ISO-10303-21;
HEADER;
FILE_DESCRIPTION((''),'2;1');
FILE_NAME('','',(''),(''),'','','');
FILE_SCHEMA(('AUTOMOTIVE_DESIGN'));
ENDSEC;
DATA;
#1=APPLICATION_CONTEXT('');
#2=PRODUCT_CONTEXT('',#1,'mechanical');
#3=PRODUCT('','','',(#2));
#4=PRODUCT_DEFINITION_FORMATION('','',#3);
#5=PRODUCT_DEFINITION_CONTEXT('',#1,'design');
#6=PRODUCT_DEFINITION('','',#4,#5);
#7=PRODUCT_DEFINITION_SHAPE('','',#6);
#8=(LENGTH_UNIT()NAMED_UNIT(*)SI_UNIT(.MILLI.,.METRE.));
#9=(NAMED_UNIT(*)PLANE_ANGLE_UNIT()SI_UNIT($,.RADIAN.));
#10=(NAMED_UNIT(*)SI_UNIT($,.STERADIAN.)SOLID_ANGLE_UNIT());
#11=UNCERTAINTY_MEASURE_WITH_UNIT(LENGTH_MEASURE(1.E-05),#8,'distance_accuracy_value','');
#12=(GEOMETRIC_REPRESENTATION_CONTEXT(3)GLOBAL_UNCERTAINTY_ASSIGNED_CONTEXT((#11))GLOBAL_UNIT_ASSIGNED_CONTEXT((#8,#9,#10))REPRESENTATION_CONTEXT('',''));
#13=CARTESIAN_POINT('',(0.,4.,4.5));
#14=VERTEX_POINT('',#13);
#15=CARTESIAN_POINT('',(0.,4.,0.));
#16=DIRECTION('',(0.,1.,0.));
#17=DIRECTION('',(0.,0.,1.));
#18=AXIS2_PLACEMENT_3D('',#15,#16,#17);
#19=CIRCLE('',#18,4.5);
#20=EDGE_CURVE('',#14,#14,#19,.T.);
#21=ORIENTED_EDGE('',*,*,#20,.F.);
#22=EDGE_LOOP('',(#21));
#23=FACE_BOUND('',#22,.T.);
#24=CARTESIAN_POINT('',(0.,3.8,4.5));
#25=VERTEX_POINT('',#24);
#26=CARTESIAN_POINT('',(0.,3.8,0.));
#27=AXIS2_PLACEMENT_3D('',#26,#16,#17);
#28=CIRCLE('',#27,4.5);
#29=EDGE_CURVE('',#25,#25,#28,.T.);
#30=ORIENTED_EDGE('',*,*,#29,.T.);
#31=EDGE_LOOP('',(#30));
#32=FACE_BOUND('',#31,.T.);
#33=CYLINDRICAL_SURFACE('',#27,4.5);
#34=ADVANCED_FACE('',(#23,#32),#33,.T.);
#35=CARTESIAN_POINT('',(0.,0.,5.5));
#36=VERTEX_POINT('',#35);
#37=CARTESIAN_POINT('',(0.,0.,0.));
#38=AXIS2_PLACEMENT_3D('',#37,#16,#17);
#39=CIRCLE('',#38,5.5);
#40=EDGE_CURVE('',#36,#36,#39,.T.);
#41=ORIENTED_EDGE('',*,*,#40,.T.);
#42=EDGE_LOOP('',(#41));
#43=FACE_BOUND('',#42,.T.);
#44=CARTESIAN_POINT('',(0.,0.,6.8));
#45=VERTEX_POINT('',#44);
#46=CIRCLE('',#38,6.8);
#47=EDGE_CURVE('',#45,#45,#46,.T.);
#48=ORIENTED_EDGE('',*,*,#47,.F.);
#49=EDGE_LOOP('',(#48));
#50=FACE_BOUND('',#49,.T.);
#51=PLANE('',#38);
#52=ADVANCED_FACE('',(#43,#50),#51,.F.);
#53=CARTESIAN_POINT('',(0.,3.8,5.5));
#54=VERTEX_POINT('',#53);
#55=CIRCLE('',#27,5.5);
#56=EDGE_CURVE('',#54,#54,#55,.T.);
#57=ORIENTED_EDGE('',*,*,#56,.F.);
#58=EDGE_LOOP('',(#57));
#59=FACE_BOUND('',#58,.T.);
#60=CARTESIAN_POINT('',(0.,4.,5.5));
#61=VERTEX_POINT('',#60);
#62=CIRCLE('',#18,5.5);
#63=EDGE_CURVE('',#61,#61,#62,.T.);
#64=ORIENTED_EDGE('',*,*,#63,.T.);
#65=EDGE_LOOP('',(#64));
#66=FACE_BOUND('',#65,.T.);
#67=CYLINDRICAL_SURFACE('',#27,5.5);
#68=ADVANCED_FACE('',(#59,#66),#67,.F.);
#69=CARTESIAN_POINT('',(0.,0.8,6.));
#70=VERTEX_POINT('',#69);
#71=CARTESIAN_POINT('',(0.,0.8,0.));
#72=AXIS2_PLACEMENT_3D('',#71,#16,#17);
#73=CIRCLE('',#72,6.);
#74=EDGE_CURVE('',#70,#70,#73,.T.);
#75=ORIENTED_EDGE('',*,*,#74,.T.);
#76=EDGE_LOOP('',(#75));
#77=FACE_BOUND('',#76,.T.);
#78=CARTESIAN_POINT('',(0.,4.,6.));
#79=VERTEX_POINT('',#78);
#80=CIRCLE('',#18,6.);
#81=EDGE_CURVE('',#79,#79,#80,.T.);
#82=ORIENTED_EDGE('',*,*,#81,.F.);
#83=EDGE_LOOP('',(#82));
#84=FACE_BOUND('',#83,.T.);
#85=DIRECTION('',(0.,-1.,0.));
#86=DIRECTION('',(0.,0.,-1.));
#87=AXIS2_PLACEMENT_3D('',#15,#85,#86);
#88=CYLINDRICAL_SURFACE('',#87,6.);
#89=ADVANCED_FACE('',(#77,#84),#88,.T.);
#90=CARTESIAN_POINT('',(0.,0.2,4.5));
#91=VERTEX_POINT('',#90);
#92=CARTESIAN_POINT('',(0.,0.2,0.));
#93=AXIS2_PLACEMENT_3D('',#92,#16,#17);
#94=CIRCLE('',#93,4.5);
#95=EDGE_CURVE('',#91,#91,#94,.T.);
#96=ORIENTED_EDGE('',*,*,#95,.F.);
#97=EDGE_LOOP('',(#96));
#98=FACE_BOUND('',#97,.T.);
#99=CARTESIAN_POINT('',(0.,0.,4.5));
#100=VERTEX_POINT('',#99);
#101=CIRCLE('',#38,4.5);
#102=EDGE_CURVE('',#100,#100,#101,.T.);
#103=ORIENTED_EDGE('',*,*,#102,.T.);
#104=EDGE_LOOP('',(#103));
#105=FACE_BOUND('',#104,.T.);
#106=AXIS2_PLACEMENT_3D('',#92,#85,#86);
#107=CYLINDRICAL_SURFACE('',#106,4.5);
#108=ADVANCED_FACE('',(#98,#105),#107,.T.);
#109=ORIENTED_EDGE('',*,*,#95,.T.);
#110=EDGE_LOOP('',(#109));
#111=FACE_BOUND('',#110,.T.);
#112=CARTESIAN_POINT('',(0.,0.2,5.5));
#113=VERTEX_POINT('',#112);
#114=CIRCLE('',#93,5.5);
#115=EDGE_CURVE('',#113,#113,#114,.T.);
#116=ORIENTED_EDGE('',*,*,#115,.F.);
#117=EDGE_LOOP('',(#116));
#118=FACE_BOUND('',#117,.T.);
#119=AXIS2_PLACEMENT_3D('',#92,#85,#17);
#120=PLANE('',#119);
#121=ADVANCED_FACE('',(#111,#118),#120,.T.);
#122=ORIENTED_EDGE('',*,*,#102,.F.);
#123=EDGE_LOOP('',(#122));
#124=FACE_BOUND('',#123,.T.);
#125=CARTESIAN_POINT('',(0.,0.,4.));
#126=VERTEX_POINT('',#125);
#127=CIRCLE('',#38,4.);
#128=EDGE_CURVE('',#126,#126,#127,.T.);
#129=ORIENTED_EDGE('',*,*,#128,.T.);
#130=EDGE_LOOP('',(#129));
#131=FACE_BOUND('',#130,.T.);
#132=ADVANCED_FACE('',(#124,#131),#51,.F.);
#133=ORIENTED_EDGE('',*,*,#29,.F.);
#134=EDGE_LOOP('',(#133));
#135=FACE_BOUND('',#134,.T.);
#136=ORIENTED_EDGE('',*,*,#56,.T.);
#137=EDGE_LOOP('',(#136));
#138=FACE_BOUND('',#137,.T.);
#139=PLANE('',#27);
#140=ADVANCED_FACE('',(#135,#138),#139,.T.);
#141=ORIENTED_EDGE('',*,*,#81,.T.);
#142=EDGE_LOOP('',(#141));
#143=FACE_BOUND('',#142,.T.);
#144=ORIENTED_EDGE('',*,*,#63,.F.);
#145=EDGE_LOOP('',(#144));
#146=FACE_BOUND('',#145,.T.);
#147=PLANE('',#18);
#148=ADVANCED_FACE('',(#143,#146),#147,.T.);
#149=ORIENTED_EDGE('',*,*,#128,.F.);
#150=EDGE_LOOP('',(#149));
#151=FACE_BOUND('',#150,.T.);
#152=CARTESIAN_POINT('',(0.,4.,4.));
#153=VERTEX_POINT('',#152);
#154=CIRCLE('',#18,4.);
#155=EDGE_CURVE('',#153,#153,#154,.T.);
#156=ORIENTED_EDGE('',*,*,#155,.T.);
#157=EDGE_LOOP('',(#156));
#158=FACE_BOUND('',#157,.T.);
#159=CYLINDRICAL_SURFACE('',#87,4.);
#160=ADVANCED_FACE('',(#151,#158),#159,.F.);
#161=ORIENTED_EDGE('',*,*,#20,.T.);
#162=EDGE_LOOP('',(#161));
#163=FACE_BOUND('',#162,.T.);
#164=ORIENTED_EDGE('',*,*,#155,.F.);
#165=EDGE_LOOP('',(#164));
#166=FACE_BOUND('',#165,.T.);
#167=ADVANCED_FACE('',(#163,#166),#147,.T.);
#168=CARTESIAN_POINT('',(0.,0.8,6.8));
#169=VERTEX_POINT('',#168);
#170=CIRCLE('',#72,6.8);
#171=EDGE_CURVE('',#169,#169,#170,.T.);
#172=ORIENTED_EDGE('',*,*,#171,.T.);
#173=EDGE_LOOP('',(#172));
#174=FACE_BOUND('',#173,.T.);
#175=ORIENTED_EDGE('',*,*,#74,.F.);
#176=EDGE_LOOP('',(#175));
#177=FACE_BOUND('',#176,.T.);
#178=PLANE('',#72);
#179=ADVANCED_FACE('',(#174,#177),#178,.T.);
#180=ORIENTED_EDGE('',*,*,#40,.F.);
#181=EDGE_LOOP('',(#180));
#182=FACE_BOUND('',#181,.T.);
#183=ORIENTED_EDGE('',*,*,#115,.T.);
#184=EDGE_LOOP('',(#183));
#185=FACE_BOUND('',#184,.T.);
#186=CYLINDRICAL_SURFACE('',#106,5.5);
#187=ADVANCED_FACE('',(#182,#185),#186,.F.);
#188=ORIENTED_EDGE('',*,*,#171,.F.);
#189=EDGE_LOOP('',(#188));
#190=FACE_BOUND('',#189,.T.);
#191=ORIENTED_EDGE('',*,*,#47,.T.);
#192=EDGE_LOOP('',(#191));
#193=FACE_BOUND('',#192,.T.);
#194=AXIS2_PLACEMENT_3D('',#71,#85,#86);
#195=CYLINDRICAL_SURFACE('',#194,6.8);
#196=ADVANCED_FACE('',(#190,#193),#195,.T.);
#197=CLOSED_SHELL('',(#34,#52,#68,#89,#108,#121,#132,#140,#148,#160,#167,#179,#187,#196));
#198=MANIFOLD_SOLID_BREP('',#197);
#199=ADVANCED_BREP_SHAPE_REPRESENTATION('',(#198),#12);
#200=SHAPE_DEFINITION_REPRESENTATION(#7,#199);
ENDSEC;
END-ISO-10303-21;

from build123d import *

# Parameters (mm, degrees)
SKETCH_1_R          = 6
SKETCH_1_R_2        = 4
EXTRUDE_1_DEPTH     = 4
SKETCH_2_R          = 6.8
SKETCH_2_R_2        = 6
EXTRUDE_2_DEPTH     = 0.8
SKETCH_3_R          = 5.5
SKETCH_3_R_2        = 4.5
CUT_EXTRUDE_1_DEPTH = 0.2


with BuildPart() as part:
    # 草图1 → 凸台-拉伸1 (new body)
    with BuildSketch(Plane(origin=(0, 0, 0), x_dir=(1, 0, 0), z_dir=(0, 1, 0))):
        with Locations(Location((0, 0, 0), (0, 0, 270))):
            Circle(SKETCH_1_R)
        with Locations(Location((0, 0, 0), (0, 0, 270))):
            Circle(SKETCH_1_R_2, mode=Mode.SUBTRACT)
    extrude(amount=EXTRUDE_1_DEPTH)

    # 草图2 → 凸台-拉伸2 (add)
    with BuildSketch(Plane(origin=(0, 0, 0), x_dir=(1, 0, 0), z_dir=(0, 1, 0))):
        with Locations(Location((0, 0, 0), (0, 0, 270))):
            Circle(SKETCH_2_R)
        with Locations(Location((0, 0, 0), (0, 0, 270))):
            Circle(SKETCH_2_R_2, mode=Mode.SUBTRACT)
    extrude(amount=EXTRUDE_2_DEPTH)

    # 草图3 → 切除-拉伸1 (cut)
    with BuildSketch(Plane(origin=(0, 4, 0), x_dir=(1, 0, 0), z_dir=(0, 1, 0))):
        with Locations(Location((0, 0, 0), (0, 0, 270))):
            Circle(SKETCH_3_R)
        with Locations(Location((0, 0, 0), (0, 0, 270))):
            Circle(SKETCH_3_R_2, mode=Mode.SUBTRACT)
    cut_extrude_1 = extrude(amount=-CUT_EXTRUDE_1_DEPTH, mode=Mode.SUBTRACT)

    # 镜向1: 切除-拉伸1 across plane
    add(cut_extrude_1.mirror(Plane.ZX.offset(2)), mode=Mode.SUBTRACT)


solid = part.part
